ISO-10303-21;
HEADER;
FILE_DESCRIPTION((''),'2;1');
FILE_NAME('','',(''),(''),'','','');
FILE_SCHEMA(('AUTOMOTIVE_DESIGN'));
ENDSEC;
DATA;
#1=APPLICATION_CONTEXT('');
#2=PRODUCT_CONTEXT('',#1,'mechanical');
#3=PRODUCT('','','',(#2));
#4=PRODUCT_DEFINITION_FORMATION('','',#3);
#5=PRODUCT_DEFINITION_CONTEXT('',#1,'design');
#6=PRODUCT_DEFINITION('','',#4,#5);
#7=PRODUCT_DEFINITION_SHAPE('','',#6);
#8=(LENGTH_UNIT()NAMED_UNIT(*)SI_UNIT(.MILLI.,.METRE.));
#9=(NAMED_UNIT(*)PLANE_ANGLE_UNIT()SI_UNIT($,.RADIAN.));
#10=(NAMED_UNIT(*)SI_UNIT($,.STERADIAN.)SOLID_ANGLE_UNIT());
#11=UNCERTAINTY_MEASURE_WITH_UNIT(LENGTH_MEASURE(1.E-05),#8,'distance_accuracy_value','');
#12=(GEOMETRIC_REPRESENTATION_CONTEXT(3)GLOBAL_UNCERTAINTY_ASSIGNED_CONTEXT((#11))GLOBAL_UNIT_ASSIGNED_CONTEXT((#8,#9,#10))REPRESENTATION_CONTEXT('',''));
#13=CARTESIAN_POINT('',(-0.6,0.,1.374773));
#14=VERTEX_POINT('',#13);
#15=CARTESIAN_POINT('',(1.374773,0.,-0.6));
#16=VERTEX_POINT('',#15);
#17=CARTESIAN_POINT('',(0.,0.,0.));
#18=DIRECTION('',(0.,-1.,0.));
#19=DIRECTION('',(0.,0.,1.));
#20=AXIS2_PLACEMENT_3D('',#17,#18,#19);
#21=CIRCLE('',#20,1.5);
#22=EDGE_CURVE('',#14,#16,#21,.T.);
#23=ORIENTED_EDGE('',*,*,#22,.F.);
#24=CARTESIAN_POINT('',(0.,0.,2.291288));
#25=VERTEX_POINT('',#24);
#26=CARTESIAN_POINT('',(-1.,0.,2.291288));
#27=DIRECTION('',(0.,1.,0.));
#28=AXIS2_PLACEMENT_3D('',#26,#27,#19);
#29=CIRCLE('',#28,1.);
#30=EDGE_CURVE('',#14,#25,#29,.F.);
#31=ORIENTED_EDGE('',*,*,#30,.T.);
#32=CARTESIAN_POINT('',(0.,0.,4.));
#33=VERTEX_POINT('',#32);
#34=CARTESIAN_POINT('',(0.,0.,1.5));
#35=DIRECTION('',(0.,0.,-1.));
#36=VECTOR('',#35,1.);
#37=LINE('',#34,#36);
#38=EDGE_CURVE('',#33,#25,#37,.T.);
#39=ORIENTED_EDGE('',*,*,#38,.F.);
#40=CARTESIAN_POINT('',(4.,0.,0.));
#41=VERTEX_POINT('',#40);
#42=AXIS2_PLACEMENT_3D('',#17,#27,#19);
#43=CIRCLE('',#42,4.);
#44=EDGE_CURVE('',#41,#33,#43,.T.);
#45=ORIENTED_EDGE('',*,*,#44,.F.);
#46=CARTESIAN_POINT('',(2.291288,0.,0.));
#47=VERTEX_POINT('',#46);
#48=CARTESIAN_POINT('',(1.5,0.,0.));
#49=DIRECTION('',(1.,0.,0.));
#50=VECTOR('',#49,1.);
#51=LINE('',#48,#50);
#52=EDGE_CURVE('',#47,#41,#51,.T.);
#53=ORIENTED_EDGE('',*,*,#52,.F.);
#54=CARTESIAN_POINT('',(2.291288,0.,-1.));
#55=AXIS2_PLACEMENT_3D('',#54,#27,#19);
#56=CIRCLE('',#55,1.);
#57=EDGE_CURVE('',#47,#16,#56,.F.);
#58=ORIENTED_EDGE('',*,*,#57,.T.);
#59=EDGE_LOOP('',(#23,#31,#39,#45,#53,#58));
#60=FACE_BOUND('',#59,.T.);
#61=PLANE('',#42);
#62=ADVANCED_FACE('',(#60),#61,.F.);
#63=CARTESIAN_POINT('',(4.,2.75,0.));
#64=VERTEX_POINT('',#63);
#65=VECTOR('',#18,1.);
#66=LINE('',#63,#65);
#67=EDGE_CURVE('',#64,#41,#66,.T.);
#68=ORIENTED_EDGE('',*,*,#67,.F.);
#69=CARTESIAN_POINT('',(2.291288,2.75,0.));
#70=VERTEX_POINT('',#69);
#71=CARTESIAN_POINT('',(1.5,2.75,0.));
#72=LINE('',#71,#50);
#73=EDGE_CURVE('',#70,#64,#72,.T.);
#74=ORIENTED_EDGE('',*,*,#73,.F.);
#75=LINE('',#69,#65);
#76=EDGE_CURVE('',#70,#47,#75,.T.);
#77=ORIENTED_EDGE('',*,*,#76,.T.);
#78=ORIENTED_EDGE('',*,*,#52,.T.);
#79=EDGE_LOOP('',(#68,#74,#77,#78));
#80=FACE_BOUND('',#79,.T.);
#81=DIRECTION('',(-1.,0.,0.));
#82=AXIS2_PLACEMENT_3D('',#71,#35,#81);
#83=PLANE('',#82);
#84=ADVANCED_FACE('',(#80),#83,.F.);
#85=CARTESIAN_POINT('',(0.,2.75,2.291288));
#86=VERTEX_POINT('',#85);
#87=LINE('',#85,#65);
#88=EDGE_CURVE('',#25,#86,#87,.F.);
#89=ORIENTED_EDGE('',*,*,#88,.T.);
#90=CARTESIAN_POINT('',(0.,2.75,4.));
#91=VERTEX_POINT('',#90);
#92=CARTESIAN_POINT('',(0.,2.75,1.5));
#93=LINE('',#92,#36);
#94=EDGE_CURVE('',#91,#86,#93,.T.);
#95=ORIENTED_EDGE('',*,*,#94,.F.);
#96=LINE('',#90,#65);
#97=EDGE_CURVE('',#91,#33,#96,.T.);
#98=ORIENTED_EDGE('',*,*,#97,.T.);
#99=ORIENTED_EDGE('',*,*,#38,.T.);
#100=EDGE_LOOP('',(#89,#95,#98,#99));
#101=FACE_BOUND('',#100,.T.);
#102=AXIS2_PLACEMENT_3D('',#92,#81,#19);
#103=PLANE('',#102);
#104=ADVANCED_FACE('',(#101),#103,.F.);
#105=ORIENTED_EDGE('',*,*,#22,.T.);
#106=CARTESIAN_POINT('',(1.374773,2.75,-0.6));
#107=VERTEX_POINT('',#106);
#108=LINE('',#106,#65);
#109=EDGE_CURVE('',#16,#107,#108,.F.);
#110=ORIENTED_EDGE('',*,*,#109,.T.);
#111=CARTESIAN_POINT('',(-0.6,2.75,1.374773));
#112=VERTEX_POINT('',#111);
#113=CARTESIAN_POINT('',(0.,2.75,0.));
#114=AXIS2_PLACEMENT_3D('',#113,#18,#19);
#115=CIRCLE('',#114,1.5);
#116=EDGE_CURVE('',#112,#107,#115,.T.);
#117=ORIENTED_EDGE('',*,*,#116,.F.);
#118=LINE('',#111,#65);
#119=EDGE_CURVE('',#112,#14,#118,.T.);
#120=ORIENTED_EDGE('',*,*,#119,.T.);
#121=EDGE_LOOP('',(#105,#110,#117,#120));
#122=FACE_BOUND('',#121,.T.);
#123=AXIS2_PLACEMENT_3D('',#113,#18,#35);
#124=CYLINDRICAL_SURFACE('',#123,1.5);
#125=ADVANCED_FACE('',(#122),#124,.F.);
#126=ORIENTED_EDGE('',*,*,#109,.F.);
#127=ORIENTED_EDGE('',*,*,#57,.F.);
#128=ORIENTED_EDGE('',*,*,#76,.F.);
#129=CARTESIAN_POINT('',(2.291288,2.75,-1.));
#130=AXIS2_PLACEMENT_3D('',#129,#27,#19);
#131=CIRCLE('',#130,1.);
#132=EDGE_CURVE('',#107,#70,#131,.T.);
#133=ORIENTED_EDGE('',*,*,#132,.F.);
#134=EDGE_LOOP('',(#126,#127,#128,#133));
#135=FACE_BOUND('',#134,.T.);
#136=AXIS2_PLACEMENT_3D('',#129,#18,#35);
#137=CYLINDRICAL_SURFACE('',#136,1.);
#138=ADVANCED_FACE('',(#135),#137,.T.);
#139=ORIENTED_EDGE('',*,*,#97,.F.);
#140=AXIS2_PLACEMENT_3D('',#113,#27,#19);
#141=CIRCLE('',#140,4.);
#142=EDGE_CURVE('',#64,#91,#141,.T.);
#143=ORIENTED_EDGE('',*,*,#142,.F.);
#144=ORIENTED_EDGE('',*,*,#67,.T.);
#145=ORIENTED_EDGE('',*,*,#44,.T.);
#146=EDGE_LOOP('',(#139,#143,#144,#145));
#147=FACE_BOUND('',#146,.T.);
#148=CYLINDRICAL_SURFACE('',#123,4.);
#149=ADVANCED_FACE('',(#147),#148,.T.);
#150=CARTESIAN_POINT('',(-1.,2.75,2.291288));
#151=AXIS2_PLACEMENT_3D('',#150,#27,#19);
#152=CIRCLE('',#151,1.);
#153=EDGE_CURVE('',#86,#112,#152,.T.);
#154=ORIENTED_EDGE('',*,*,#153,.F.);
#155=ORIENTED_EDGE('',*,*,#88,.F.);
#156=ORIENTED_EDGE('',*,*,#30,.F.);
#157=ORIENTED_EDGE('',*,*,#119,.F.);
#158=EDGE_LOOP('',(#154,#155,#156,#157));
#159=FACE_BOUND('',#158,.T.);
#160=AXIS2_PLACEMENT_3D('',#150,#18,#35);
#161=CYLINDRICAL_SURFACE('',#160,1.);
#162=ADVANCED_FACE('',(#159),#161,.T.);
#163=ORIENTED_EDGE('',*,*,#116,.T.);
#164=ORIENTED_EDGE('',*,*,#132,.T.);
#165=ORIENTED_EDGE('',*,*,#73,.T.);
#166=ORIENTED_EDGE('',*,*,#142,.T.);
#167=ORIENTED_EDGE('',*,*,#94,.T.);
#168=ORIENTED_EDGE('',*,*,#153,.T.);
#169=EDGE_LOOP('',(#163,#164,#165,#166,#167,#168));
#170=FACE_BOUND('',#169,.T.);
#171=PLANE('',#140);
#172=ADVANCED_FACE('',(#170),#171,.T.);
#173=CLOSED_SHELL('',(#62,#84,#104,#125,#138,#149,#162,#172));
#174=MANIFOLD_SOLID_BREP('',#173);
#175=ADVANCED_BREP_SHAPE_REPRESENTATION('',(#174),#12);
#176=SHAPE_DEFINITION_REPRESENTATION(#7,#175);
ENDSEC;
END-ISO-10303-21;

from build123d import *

# Parameters (mm, degrees)
SALIENTE_EXTRUIR1_DEPTH = 2.75
REDONDEO1_R             = 1


with BuildPart() as part:
    # Croquis1 → Saliente-Extruir1 (new body)
    with BuildSketch(Plane(origin=(0, 0, 0), x_dir=(1, 0, 0), z_dir=(0, 1, 0))):
        with BuildLine():
            Line((1.5, 0), (4, 0))
            ThreePointArc((4, 0), (-2.828427125, 2.828427125), (0, -4))
            Line((0, -4), (0, -1.5))
            ThreePointArc((0, -1.5), (-1.060660172, 1.060660172), (1.5, 0))
        make_face()
    extrude(amount=SALIENTE_EXTRUIR1_DEPTH)

    # Redondeo1
    redondeo1_edges = [part.edges().sort_by_distance(p)[0] for p in [
        (0, 1.375, 1.5),
        (1.5, 1.375, 0),
    ]]
    fillet(redondeo1_edges, radius=REDONDEO1_R)


solid = part.part
